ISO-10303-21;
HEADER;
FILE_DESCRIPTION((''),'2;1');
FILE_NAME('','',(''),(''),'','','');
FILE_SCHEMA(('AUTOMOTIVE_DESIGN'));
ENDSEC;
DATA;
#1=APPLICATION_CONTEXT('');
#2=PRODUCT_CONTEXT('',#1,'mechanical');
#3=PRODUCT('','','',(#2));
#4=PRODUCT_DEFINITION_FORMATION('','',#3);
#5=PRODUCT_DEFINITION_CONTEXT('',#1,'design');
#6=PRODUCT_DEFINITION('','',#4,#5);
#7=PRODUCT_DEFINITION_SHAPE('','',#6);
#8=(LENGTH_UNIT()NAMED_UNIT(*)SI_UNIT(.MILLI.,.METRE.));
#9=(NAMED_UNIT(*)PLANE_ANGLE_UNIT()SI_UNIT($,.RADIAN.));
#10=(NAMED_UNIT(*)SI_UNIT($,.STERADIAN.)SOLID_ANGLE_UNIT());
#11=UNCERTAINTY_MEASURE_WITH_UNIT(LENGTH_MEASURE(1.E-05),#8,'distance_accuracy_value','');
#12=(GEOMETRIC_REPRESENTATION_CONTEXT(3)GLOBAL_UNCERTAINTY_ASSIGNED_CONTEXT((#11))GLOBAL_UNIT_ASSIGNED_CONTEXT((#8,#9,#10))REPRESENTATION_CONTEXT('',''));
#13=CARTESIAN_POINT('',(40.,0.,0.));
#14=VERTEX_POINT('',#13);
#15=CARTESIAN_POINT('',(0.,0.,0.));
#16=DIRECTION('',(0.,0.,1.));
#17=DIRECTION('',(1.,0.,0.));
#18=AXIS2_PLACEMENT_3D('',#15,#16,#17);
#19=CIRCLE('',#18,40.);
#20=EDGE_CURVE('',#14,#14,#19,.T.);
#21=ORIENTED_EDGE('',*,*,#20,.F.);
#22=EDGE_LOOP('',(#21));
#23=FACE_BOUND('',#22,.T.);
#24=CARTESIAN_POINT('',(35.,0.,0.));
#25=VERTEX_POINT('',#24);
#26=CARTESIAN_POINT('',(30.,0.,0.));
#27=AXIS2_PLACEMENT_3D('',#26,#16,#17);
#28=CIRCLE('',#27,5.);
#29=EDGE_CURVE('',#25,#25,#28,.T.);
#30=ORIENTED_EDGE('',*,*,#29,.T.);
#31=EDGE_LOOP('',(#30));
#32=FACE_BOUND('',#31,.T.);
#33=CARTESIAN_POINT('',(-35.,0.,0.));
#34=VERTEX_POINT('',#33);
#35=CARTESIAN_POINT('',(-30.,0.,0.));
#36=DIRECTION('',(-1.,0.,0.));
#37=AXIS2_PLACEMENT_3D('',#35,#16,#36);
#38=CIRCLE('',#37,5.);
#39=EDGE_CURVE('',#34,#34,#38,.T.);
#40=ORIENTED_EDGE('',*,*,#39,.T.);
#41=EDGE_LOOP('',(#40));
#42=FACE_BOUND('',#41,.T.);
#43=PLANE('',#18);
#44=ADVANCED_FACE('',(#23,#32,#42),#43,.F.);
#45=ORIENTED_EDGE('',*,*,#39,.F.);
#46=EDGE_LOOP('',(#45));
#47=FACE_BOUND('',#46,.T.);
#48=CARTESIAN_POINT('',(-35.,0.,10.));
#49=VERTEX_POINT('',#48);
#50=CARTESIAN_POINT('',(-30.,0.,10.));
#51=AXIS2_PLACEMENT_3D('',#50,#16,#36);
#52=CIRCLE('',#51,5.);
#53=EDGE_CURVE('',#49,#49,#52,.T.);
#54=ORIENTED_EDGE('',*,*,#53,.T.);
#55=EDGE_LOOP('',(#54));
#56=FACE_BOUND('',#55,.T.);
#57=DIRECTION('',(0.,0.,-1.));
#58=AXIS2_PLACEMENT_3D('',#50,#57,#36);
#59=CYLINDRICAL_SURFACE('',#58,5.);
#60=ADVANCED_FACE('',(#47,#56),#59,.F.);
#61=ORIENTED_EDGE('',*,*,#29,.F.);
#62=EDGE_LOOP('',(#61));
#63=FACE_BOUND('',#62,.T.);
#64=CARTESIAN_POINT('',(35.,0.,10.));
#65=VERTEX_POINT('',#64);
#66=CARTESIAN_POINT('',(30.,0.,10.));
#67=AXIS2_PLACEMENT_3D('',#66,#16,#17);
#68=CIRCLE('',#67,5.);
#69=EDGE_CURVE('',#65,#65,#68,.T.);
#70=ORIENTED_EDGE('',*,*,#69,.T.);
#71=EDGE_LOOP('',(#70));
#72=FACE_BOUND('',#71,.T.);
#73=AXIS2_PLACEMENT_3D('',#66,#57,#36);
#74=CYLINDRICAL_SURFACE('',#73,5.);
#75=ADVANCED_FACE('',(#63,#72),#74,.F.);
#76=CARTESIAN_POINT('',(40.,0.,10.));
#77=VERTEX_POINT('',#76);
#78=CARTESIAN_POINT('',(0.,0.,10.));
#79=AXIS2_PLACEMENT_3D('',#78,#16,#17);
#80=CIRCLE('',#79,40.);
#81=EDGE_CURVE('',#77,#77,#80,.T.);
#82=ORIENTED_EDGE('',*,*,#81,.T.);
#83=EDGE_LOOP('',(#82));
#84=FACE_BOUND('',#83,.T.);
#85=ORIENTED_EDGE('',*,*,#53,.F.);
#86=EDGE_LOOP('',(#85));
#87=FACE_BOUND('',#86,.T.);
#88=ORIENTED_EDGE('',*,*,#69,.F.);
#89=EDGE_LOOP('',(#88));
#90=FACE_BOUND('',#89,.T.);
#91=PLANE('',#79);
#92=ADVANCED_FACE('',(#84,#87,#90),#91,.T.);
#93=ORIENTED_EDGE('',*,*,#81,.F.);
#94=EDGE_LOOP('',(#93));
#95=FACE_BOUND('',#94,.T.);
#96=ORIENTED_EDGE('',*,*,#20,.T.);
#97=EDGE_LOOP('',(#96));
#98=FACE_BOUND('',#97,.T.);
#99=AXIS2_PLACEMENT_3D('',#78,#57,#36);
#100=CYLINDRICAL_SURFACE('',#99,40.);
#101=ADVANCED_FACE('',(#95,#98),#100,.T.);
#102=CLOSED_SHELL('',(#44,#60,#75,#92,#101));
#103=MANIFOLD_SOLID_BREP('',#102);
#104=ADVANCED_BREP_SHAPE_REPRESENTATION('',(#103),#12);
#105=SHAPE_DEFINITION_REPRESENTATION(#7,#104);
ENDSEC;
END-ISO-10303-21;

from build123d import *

# Parameters (mm, degrees)
SKETCH1_R           = 40
SKETCH1_R_2         = 5
BOSS_EXTRUDE1_DEPTH = 10


with BuildPart() as part:
    # Sketch1 → Boss-Extrude1 (new body)
    with BuildSketch(Plane.XY):
        Circle(SKETCH1_R)
        with Locations((30, 0)):
            Circle(SKETCH1_R_2, mode=Mode.SUBTRACT)
        with Locations(Location((-30, 0, 0), (0, 0, 180))):
            Circle(SKETCH1_R_2, mode=Mode.SUBTRACT)
    extrude(amount=BOSS_EXTRUDE1_DEPTH)


solid = part.part
